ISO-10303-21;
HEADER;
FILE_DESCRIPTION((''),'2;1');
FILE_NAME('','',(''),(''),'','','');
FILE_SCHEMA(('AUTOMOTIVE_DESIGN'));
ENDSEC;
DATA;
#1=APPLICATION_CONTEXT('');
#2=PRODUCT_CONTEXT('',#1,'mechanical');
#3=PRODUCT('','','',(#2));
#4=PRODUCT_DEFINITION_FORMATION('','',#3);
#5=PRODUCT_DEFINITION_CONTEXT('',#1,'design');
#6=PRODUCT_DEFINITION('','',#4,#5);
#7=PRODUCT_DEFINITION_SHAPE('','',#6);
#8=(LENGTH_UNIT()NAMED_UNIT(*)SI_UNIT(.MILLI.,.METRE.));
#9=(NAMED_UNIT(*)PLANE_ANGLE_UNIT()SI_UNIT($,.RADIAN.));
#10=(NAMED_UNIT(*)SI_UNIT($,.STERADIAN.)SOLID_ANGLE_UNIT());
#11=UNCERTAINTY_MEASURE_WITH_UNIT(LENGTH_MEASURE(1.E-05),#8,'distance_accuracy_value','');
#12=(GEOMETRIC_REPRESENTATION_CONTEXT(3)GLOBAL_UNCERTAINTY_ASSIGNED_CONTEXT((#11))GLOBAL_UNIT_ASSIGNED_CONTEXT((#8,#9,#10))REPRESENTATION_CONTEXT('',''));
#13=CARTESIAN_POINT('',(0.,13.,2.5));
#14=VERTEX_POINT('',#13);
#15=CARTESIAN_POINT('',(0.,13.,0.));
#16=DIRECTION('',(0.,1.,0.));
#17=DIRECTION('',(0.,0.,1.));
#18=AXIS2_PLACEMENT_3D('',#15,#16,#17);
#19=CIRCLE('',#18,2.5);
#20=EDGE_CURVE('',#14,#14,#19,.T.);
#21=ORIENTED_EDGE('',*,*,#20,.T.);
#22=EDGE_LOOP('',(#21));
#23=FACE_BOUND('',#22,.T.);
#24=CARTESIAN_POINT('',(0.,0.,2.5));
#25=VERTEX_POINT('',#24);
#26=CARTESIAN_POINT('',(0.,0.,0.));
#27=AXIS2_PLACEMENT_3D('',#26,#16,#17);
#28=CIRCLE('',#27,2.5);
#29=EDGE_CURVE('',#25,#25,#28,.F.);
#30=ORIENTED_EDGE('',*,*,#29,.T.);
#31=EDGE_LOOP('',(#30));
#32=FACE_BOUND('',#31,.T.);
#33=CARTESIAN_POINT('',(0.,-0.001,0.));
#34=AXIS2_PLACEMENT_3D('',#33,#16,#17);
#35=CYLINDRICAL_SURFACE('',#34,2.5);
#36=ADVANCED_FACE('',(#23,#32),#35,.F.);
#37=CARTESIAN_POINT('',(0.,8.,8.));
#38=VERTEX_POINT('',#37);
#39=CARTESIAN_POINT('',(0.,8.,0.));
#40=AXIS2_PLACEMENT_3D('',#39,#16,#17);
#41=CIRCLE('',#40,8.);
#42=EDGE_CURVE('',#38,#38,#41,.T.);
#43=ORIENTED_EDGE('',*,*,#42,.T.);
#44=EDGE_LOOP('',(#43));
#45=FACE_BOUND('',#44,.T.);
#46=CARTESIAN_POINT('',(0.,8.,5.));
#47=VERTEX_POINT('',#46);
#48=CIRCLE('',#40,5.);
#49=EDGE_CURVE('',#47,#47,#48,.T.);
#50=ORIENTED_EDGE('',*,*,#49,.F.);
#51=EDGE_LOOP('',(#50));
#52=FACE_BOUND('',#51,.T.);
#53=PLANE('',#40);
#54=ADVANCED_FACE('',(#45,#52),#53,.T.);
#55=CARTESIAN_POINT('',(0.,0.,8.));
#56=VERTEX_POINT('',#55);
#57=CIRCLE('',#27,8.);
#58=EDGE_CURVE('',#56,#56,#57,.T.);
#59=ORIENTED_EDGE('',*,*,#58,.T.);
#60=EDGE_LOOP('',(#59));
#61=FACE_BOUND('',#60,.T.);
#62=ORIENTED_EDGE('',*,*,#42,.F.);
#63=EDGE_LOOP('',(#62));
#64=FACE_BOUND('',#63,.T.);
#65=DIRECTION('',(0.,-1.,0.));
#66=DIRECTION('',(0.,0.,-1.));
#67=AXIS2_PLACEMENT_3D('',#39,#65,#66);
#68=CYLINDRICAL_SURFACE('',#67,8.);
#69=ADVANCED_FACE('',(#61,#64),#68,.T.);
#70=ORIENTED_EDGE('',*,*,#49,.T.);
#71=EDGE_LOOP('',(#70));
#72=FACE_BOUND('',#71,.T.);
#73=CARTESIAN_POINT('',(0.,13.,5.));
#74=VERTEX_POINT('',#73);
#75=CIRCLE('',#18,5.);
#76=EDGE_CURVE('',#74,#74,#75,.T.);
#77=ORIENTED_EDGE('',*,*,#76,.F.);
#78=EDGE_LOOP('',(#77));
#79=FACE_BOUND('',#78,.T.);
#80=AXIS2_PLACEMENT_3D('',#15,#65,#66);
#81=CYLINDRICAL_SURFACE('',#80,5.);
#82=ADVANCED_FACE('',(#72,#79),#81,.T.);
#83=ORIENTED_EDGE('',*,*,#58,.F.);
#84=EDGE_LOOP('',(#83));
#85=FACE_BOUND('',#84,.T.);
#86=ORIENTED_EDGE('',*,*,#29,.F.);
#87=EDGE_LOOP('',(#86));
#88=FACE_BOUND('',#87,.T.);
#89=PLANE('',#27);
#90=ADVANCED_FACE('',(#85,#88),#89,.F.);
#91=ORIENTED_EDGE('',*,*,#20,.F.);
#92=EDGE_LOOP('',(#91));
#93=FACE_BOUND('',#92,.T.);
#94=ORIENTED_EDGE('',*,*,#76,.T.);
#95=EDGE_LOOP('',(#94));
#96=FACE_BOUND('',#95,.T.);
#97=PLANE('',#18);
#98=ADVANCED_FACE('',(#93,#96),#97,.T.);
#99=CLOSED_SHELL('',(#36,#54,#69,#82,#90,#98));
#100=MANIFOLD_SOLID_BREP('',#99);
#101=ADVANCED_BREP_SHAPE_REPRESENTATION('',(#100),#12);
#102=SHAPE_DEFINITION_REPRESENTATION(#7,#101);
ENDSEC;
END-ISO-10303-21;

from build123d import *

# Parameters (mm, degrees)
ESQUISSE1_R             = 8
BOSS_EXTRU_1_DEPTH      = 8
ESQUISSE2_R             = 5
BOSS_EXTRU_2_DEPTH      = 5
ENL_V_MAT_EXTRU_1_REACH = 15
ESQUISSE3_R             = 2.5


with BuildPart() as part:
    # Esquisse1 → Boss.-Extru.1 (new body)
    with BuildSketch(Plane(origin=(0, 0, 0), x_dir=(1, 0, 0), z_dir=(0, 1, 0))):
        Circle(ESQUISSE1_R)
    extrude(amount=BOSS_EXTRU_1_DEPTH)

    # Esquisse2 → Boss.-Extru.2 (add)
    with BuildSketch(Plane(origin=(0, 8, 0), x_dir=(1, 0, 0), z_dir=(0, 1, 0))):
        Circle(ESQUISSE2_R)
    extrude(amount=BOSS_EXTRU_2_DEPTH)

    # Esquisse3 → Enlèv. mat.-Extru.1 (cut, up to next)
    with BuildSketch(Plane(origin=(0, 13, 0), x_dir=(1, 0, 0), z_dir=(0, 1, 0)), mode=Mode.PRIVATE) as enl_v_mat_extru_1_sk1:
        Circle(ESQUISSE3_R)
    enl_v_mat_extru_1_tool1 = extrude(enl_v_mat_extru_1_sk1.sketch, amount=-ENL_V_MAT_EXTRU_1_REACH, mode=Mode.PRIVATE) & part.part
    add(enl_v_mat_extru_1_tool1.solids().sort_by_distance((0, 13, 0))[0], mode=Mode.SUBTRACT)


solid = part.part
